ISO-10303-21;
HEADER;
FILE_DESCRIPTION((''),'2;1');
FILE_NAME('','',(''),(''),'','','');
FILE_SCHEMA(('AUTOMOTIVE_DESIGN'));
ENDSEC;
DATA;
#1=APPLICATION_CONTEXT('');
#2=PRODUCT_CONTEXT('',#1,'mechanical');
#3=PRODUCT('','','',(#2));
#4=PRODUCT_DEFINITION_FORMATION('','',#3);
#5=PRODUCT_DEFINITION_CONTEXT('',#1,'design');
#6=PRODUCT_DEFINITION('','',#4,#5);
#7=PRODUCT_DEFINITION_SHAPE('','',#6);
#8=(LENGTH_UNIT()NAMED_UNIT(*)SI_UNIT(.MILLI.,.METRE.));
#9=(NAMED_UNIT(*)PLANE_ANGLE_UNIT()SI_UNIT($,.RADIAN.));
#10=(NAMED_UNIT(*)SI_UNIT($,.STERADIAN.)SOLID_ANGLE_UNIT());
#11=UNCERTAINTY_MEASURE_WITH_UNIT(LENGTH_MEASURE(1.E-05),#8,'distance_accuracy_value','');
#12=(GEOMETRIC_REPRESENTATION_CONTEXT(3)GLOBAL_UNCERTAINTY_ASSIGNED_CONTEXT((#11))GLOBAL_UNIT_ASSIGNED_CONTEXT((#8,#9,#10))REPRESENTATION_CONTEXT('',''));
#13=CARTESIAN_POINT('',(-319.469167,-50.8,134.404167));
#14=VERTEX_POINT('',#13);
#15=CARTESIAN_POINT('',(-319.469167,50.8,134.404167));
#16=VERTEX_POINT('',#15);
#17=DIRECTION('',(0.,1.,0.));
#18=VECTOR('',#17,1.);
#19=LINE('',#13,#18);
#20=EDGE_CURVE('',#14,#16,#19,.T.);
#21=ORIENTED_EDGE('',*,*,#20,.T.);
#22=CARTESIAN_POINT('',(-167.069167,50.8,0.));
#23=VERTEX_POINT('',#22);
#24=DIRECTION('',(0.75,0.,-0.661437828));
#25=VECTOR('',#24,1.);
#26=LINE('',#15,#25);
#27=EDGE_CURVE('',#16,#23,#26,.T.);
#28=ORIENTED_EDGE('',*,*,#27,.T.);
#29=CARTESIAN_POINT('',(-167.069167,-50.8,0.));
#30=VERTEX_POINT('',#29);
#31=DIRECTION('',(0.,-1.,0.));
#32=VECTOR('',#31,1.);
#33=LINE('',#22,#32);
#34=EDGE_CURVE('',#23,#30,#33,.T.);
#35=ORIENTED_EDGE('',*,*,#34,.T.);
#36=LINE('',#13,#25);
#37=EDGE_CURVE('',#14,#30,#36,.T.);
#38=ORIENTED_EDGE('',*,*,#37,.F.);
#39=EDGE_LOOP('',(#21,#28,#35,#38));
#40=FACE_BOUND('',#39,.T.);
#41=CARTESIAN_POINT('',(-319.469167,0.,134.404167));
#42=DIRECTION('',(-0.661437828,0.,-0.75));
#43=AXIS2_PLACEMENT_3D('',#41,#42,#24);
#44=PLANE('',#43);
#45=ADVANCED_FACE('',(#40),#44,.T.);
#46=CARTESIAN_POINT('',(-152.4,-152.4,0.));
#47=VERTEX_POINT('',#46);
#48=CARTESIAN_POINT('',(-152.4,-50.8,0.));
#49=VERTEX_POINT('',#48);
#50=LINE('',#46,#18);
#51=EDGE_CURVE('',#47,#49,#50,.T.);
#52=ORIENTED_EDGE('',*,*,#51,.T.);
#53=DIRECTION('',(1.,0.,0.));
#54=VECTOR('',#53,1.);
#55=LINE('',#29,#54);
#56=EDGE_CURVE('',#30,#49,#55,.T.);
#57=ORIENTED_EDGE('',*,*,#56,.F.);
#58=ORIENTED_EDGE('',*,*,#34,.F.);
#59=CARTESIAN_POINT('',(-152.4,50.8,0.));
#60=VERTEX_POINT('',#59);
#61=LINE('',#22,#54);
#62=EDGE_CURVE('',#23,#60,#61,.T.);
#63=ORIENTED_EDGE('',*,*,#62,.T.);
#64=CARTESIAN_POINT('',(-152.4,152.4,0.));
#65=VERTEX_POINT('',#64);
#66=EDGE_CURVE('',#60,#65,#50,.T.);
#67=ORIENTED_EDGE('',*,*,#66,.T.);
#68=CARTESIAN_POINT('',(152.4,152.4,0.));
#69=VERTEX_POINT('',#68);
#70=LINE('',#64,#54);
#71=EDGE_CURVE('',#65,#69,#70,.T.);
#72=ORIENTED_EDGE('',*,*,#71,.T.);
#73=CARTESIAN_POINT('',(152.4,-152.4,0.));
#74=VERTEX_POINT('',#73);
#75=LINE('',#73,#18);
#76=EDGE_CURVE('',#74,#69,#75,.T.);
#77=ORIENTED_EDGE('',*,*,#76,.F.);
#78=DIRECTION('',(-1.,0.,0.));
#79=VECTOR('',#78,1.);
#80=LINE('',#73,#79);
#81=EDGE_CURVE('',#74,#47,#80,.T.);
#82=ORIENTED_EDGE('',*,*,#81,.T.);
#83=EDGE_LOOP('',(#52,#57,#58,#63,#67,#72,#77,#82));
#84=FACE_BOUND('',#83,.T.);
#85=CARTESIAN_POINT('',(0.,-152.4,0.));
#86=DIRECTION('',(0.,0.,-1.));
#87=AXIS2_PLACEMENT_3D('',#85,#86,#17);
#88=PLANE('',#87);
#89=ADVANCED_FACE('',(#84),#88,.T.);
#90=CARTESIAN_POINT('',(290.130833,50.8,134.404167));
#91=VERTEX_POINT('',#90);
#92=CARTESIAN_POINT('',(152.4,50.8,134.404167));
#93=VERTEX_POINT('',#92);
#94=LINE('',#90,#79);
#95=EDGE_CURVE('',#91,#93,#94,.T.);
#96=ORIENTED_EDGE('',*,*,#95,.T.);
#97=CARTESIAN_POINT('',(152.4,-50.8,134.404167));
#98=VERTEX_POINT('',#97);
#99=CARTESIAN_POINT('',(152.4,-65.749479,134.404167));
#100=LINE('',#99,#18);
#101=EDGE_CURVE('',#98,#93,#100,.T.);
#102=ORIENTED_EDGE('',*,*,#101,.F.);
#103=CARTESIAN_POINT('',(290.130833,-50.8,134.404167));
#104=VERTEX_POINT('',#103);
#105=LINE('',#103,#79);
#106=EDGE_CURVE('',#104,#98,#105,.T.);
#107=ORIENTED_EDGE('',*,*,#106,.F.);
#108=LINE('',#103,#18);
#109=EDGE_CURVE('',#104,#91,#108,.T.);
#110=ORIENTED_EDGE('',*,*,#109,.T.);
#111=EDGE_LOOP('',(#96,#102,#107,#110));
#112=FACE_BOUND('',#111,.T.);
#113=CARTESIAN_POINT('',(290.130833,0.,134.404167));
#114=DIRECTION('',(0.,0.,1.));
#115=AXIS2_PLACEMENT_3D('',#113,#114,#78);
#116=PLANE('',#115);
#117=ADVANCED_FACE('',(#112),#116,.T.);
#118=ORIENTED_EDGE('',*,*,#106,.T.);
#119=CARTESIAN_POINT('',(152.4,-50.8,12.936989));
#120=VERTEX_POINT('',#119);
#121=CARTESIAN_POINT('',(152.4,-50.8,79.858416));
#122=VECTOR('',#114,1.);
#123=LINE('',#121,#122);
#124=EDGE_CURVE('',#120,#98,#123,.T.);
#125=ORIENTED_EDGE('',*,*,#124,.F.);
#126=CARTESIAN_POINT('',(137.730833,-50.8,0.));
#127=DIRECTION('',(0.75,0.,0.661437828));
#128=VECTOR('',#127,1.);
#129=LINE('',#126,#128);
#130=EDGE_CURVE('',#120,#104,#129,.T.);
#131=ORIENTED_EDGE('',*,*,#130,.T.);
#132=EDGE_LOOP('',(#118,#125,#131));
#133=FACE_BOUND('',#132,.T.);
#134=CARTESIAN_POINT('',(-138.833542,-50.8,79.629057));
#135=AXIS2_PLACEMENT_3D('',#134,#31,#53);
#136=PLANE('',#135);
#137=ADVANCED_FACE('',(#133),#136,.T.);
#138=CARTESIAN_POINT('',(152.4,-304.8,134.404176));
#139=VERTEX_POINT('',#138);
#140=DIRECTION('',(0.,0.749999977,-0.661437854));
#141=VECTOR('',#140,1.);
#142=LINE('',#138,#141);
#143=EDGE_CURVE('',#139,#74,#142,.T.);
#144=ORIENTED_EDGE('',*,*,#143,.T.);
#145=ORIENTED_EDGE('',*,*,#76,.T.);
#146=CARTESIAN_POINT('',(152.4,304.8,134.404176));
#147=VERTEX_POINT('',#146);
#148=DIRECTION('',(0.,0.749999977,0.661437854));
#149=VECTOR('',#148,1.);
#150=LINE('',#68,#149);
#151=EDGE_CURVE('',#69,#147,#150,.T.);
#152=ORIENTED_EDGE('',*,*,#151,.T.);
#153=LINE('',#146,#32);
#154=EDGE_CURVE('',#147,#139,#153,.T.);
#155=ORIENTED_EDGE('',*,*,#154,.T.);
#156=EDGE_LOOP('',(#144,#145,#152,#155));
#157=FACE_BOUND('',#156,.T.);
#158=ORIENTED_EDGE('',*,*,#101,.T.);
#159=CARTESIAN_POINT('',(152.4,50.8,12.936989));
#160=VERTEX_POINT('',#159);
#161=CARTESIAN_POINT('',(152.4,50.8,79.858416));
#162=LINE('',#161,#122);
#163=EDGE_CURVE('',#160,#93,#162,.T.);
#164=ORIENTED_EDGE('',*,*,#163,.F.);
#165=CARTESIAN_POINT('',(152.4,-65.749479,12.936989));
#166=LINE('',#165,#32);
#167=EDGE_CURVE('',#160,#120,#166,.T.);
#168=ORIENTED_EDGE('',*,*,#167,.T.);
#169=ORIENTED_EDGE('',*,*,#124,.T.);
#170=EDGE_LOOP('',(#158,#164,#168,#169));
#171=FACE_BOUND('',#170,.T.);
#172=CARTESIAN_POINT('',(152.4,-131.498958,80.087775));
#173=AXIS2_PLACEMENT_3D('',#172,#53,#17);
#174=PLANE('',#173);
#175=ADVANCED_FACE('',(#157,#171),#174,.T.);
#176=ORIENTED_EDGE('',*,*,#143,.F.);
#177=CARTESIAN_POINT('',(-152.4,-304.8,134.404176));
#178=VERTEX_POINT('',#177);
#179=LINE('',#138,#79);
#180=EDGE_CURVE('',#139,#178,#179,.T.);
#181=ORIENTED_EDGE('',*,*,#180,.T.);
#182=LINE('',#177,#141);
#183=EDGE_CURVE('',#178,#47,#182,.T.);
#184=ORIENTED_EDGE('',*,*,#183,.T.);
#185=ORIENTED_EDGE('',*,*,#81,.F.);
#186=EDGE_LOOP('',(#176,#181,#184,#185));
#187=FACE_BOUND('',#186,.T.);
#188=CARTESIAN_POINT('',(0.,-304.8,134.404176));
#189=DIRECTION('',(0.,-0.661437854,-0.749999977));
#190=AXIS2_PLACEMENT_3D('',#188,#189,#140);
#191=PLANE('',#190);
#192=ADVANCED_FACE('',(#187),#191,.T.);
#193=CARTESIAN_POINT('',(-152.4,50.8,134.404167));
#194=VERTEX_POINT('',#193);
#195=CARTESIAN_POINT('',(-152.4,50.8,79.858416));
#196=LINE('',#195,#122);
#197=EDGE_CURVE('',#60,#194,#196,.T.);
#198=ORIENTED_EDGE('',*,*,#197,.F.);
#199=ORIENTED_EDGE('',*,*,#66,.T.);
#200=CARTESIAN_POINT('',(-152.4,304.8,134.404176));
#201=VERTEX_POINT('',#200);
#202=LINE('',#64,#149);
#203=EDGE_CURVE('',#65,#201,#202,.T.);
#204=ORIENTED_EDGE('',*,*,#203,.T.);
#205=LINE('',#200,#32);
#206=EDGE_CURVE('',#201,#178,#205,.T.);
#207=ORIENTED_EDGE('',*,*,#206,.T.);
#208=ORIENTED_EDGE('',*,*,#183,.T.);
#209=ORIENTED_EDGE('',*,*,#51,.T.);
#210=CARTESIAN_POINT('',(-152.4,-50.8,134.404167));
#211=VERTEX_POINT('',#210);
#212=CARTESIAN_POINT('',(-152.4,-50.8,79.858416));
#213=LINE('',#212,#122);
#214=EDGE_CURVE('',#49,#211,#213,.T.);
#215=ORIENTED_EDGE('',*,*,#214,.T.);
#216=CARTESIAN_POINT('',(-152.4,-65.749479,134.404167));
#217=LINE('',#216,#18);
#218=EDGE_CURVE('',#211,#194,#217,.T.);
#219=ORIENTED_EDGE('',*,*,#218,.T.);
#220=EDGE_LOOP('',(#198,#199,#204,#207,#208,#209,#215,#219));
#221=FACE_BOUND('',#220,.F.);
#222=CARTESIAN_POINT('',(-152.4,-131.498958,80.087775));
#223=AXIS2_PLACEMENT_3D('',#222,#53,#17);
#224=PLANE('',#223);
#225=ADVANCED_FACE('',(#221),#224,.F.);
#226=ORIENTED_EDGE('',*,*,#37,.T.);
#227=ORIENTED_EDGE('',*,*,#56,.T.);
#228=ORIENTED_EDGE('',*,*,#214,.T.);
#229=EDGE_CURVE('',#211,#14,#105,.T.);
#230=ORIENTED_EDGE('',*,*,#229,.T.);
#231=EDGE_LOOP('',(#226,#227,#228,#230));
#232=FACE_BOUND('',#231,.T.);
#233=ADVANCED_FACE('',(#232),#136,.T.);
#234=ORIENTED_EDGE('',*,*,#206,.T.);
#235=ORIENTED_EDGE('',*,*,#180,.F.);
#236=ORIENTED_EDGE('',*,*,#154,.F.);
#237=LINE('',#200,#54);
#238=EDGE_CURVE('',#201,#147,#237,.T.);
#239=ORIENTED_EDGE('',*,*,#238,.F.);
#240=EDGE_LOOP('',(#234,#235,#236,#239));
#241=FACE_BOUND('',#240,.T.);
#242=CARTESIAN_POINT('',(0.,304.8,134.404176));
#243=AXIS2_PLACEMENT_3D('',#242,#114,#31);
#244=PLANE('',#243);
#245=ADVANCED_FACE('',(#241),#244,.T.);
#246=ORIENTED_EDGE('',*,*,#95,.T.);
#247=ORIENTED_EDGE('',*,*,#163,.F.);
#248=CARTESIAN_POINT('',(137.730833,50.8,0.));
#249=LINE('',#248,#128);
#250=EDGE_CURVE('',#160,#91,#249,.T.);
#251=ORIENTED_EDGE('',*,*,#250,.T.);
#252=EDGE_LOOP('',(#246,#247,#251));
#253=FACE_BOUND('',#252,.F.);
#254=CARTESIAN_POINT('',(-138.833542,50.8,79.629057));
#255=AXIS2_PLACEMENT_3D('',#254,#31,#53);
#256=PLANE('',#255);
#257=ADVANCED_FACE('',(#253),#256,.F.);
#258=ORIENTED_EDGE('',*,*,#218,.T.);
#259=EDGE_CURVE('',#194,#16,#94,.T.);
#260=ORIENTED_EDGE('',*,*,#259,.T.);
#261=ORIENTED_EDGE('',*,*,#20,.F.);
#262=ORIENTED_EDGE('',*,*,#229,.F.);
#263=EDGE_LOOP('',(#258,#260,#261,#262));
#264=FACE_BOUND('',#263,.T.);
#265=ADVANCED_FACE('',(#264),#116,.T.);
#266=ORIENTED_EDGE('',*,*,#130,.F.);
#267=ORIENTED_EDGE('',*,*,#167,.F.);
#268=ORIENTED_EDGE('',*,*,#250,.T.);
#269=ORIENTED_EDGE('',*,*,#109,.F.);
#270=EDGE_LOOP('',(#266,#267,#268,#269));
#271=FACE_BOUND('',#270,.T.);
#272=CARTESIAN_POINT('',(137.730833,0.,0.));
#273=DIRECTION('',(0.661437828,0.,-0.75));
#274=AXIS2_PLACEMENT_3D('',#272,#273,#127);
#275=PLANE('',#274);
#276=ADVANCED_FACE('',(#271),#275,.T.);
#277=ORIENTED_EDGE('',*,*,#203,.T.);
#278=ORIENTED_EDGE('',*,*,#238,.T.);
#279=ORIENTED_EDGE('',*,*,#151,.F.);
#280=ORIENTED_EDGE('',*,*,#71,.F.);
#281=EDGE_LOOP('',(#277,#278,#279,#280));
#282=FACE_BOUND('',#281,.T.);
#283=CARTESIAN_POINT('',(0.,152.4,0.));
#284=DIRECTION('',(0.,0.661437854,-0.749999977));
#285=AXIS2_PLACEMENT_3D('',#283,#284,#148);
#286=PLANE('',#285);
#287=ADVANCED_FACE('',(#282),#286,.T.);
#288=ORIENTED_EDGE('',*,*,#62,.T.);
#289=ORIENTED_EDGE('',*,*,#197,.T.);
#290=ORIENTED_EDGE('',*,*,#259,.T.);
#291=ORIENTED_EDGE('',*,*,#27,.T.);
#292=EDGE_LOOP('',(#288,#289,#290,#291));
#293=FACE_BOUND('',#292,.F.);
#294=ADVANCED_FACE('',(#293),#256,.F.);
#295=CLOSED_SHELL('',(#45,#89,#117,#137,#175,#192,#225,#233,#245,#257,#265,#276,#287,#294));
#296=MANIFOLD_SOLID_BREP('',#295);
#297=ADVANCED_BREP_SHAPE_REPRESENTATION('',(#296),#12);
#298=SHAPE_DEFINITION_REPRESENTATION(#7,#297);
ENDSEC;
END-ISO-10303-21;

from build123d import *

# Parameters (mm, degrees)
F1_DEPTH = 50.8
F3_DEPTH = 152.4


with BuildPart() as f1:
    # F0 (on Front) → F1 (new body, symmetric)
    with BuildSketch(Plane.XZ):
        Polygon((0, 134.4041666021), (-319.4691668987, 134.4041666021), (-167.0691668987, 0), (0, 0), align=None)
        Polygon((290.1308331013, 134.4041666021), (0, 134.4041666021), (0, 0), (137.7308331013, 0), align=None)
    extrude(amount=F1_DEPTH, both=True)

    # F2 (on Right) → F3 (join, symmetric)
    with BuildSketch(Plane.YZ):
        Polygon((-152.4, 0), (0, 0), (0, 134.4041762), (-304.8, 134.4041762), align=None)
        Polygon((0, 134.4041762), (0, 0), (152.4, 0), (304.8, 134.4041762), align=None)
    extrude(amount=F3_DEPTH, both=True)


solid = f1.part
